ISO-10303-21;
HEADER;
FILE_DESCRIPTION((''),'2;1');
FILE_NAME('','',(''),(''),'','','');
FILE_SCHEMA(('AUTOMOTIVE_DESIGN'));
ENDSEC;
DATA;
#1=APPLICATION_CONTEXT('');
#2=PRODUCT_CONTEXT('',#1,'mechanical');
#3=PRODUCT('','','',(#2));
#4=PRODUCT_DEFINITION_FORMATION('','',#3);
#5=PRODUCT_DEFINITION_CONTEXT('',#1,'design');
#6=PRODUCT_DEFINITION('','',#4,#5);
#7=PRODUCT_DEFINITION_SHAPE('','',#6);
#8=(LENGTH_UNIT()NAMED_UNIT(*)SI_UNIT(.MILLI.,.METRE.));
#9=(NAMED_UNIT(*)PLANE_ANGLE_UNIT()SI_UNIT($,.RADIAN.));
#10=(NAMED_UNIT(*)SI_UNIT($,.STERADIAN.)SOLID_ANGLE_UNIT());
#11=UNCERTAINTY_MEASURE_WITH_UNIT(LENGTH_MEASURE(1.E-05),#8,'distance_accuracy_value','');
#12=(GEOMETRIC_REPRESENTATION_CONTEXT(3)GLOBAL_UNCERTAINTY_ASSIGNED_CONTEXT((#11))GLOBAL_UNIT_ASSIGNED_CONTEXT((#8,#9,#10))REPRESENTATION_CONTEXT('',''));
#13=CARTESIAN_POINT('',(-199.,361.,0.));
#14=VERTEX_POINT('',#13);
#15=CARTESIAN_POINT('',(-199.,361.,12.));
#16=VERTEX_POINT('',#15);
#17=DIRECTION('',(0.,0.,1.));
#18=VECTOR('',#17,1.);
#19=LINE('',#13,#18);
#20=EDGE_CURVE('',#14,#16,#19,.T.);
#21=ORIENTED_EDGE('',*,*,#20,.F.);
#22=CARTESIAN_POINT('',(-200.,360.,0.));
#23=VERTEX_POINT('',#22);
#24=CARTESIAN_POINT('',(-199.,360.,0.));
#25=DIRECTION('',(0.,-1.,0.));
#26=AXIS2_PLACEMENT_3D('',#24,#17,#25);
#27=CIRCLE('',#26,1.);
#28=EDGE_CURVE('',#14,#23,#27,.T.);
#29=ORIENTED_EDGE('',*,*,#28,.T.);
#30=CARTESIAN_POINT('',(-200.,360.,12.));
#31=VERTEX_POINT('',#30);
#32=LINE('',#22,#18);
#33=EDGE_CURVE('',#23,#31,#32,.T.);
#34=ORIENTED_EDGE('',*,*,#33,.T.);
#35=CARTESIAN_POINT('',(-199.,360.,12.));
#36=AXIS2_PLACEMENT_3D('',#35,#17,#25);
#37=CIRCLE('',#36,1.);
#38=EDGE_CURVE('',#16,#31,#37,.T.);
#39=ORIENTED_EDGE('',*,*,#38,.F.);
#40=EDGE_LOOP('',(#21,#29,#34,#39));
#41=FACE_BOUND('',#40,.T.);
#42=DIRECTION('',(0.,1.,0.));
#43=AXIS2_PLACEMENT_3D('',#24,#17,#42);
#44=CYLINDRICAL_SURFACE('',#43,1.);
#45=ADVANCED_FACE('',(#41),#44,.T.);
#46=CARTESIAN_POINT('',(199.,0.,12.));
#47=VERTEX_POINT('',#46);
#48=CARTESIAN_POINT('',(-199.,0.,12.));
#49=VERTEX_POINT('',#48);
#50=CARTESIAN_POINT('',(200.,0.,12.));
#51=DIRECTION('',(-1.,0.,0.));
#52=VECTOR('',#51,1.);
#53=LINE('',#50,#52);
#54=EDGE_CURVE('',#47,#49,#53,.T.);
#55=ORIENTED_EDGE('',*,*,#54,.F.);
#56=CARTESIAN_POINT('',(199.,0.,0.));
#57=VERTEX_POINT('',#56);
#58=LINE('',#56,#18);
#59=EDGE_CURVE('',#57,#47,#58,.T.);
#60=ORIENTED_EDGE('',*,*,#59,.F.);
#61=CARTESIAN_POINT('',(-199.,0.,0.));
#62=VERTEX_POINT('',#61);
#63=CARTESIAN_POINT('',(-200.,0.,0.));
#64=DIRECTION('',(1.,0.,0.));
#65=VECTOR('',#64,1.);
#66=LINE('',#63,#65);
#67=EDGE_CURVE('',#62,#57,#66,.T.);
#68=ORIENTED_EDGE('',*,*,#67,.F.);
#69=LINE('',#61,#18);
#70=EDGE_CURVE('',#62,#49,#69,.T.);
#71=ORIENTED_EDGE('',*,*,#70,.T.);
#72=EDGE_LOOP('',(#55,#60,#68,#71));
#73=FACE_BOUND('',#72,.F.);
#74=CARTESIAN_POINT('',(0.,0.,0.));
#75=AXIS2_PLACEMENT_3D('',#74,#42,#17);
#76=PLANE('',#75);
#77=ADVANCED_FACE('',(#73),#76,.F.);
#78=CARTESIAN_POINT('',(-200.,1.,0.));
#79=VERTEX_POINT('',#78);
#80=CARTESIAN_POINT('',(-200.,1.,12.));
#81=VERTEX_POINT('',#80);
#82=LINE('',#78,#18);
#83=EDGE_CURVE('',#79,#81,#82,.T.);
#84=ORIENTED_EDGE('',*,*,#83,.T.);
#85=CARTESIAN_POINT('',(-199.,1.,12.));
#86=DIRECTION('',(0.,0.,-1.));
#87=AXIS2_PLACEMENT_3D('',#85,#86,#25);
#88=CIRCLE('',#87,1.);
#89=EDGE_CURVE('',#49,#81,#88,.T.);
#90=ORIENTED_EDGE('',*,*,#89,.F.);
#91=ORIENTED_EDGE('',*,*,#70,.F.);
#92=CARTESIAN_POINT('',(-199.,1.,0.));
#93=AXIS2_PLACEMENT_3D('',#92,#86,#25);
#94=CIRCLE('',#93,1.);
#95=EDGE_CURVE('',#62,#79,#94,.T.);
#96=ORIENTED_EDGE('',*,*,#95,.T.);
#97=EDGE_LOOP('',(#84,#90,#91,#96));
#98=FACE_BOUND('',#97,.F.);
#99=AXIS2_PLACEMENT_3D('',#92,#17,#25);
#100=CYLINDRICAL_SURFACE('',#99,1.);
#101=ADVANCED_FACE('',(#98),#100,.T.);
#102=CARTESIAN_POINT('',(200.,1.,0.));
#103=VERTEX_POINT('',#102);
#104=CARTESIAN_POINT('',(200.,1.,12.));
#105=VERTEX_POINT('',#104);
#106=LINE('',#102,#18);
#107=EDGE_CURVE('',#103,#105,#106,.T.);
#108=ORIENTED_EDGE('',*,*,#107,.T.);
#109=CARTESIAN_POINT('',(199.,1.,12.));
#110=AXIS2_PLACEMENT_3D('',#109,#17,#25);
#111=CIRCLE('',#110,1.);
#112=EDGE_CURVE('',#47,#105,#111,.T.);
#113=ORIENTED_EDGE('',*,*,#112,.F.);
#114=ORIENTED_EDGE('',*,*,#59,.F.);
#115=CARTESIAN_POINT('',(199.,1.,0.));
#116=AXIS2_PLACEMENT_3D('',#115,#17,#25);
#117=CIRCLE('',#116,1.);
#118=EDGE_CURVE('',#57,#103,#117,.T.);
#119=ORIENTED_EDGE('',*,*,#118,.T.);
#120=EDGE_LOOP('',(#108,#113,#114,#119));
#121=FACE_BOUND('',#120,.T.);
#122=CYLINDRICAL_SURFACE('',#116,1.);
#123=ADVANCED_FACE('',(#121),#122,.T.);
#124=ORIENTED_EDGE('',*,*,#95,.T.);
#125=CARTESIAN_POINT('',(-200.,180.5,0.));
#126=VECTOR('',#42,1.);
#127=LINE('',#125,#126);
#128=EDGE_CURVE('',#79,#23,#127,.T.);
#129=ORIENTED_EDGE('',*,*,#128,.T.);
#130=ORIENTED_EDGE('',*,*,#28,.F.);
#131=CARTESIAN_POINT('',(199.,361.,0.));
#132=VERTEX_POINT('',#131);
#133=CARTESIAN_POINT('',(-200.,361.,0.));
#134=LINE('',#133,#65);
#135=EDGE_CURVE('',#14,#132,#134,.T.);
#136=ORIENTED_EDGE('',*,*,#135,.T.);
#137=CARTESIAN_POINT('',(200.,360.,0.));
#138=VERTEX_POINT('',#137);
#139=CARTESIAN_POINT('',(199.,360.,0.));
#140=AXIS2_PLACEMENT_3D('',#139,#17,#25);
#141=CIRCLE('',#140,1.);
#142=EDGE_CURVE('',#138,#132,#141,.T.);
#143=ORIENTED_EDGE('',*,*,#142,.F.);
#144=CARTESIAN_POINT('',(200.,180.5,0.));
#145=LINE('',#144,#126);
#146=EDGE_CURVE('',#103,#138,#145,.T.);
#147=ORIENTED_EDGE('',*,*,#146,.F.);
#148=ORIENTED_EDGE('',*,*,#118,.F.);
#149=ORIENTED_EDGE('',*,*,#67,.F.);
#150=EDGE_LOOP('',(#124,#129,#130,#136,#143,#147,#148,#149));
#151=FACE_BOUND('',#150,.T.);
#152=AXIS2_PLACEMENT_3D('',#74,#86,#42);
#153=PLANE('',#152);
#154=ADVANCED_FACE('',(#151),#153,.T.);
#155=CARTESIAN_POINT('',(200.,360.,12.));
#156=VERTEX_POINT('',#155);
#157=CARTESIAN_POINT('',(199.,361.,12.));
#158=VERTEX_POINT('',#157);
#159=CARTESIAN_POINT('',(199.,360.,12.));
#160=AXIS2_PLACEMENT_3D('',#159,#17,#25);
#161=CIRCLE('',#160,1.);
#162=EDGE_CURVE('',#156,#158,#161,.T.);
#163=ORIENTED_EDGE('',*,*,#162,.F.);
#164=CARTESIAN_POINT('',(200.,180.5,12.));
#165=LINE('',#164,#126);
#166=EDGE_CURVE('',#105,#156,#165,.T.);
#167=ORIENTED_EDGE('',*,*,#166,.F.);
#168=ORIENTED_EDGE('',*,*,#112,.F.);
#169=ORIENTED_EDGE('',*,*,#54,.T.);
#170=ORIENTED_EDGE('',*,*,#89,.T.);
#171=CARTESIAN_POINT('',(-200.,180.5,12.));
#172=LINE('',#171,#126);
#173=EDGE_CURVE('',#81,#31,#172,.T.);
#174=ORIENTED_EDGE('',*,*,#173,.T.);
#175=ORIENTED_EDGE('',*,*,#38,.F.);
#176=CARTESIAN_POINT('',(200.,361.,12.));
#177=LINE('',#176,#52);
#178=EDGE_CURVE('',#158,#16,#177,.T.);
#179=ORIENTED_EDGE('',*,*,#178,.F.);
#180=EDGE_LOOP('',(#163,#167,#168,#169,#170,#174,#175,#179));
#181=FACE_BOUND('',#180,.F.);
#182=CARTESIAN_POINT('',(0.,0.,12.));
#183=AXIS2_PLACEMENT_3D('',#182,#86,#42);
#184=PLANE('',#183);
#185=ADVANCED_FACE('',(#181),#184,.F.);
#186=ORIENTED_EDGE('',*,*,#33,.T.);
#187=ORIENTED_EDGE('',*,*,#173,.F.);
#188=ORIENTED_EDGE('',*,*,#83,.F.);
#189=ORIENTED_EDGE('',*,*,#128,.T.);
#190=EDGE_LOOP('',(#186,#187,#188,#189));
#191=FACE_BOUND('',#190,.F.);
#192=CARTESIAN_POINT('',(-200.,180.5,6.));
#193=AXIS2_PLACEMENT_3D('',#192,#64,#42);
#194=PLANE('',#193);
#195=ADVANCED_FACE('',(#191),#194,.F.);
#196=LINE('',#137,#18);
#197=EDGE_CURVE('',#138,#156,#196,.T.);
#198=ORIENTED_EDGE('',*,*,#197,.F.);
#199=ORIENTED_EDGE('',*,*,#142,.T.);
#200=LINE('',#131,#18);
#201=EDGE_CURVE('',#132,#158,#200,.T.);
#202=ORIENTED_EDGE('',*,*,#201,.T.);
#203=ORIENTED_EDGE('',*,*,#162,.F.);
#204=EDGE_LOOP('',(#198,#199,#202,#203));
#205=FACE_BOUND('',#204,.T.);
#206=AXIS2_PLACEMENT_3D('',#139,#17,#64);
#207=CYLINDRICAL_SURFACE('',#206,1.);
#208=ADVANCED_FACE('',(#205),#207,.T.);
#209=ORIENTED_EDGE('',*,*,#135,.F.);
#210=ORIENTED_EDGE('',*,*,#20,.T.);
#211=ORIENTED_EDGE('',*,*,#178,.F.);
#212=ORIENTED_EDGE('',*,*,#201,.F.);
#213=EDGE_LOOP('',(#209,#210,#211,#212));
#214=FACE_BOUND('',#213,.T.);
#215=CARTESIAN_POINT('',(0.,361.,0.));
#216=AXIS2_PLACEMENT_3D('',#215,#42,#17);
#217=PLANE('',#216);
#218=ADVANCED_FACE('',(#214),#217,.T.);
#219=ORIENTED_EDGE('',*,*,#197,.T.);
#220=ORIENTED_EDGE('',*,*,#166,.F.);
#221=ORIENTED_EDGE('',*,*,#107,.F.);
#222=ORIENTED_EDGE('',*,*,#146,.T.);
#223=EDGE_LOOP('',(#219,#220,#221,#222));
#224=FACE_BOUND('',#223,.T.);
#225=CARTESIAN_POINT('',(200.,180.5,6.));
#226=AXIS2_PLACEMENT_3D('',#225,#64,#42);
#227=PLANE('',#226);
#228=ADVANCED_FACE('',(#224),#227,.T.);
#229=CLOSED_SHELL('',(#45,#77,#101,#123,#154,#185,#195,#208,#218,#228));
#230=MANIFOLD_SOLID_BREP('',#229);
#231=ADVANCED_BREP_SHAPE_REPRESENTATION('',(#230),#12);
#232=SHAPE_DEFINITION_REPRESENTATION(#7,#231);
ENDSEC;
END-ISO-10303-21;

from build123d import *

# Parameters (mm, degrees)
F0_W     = 361
F0_H     = 12
F1_DEPTH = 200
F2_R     = 1


with BuildPart() as f1:
    # F0 (on Right) → F1 (new body, symmetric)
    with BuildSketch(Plane.YZ):
        with Locations((180.5, 6)):
            Rectangle(F0_W, F0_H)
    extrude(amount=F1_DEPTH, both=True)

    # F2
    f2_edges = [f1.edges().sort_by_distance(p)[0] for p in [
        (-200, 0, 6),
        (200, 0, 6),
        (200, 361, 6),
        (-200, 361, 6),
    ]]
    fillet(f2_edges, radius=F2_R)


solid = f1.part
